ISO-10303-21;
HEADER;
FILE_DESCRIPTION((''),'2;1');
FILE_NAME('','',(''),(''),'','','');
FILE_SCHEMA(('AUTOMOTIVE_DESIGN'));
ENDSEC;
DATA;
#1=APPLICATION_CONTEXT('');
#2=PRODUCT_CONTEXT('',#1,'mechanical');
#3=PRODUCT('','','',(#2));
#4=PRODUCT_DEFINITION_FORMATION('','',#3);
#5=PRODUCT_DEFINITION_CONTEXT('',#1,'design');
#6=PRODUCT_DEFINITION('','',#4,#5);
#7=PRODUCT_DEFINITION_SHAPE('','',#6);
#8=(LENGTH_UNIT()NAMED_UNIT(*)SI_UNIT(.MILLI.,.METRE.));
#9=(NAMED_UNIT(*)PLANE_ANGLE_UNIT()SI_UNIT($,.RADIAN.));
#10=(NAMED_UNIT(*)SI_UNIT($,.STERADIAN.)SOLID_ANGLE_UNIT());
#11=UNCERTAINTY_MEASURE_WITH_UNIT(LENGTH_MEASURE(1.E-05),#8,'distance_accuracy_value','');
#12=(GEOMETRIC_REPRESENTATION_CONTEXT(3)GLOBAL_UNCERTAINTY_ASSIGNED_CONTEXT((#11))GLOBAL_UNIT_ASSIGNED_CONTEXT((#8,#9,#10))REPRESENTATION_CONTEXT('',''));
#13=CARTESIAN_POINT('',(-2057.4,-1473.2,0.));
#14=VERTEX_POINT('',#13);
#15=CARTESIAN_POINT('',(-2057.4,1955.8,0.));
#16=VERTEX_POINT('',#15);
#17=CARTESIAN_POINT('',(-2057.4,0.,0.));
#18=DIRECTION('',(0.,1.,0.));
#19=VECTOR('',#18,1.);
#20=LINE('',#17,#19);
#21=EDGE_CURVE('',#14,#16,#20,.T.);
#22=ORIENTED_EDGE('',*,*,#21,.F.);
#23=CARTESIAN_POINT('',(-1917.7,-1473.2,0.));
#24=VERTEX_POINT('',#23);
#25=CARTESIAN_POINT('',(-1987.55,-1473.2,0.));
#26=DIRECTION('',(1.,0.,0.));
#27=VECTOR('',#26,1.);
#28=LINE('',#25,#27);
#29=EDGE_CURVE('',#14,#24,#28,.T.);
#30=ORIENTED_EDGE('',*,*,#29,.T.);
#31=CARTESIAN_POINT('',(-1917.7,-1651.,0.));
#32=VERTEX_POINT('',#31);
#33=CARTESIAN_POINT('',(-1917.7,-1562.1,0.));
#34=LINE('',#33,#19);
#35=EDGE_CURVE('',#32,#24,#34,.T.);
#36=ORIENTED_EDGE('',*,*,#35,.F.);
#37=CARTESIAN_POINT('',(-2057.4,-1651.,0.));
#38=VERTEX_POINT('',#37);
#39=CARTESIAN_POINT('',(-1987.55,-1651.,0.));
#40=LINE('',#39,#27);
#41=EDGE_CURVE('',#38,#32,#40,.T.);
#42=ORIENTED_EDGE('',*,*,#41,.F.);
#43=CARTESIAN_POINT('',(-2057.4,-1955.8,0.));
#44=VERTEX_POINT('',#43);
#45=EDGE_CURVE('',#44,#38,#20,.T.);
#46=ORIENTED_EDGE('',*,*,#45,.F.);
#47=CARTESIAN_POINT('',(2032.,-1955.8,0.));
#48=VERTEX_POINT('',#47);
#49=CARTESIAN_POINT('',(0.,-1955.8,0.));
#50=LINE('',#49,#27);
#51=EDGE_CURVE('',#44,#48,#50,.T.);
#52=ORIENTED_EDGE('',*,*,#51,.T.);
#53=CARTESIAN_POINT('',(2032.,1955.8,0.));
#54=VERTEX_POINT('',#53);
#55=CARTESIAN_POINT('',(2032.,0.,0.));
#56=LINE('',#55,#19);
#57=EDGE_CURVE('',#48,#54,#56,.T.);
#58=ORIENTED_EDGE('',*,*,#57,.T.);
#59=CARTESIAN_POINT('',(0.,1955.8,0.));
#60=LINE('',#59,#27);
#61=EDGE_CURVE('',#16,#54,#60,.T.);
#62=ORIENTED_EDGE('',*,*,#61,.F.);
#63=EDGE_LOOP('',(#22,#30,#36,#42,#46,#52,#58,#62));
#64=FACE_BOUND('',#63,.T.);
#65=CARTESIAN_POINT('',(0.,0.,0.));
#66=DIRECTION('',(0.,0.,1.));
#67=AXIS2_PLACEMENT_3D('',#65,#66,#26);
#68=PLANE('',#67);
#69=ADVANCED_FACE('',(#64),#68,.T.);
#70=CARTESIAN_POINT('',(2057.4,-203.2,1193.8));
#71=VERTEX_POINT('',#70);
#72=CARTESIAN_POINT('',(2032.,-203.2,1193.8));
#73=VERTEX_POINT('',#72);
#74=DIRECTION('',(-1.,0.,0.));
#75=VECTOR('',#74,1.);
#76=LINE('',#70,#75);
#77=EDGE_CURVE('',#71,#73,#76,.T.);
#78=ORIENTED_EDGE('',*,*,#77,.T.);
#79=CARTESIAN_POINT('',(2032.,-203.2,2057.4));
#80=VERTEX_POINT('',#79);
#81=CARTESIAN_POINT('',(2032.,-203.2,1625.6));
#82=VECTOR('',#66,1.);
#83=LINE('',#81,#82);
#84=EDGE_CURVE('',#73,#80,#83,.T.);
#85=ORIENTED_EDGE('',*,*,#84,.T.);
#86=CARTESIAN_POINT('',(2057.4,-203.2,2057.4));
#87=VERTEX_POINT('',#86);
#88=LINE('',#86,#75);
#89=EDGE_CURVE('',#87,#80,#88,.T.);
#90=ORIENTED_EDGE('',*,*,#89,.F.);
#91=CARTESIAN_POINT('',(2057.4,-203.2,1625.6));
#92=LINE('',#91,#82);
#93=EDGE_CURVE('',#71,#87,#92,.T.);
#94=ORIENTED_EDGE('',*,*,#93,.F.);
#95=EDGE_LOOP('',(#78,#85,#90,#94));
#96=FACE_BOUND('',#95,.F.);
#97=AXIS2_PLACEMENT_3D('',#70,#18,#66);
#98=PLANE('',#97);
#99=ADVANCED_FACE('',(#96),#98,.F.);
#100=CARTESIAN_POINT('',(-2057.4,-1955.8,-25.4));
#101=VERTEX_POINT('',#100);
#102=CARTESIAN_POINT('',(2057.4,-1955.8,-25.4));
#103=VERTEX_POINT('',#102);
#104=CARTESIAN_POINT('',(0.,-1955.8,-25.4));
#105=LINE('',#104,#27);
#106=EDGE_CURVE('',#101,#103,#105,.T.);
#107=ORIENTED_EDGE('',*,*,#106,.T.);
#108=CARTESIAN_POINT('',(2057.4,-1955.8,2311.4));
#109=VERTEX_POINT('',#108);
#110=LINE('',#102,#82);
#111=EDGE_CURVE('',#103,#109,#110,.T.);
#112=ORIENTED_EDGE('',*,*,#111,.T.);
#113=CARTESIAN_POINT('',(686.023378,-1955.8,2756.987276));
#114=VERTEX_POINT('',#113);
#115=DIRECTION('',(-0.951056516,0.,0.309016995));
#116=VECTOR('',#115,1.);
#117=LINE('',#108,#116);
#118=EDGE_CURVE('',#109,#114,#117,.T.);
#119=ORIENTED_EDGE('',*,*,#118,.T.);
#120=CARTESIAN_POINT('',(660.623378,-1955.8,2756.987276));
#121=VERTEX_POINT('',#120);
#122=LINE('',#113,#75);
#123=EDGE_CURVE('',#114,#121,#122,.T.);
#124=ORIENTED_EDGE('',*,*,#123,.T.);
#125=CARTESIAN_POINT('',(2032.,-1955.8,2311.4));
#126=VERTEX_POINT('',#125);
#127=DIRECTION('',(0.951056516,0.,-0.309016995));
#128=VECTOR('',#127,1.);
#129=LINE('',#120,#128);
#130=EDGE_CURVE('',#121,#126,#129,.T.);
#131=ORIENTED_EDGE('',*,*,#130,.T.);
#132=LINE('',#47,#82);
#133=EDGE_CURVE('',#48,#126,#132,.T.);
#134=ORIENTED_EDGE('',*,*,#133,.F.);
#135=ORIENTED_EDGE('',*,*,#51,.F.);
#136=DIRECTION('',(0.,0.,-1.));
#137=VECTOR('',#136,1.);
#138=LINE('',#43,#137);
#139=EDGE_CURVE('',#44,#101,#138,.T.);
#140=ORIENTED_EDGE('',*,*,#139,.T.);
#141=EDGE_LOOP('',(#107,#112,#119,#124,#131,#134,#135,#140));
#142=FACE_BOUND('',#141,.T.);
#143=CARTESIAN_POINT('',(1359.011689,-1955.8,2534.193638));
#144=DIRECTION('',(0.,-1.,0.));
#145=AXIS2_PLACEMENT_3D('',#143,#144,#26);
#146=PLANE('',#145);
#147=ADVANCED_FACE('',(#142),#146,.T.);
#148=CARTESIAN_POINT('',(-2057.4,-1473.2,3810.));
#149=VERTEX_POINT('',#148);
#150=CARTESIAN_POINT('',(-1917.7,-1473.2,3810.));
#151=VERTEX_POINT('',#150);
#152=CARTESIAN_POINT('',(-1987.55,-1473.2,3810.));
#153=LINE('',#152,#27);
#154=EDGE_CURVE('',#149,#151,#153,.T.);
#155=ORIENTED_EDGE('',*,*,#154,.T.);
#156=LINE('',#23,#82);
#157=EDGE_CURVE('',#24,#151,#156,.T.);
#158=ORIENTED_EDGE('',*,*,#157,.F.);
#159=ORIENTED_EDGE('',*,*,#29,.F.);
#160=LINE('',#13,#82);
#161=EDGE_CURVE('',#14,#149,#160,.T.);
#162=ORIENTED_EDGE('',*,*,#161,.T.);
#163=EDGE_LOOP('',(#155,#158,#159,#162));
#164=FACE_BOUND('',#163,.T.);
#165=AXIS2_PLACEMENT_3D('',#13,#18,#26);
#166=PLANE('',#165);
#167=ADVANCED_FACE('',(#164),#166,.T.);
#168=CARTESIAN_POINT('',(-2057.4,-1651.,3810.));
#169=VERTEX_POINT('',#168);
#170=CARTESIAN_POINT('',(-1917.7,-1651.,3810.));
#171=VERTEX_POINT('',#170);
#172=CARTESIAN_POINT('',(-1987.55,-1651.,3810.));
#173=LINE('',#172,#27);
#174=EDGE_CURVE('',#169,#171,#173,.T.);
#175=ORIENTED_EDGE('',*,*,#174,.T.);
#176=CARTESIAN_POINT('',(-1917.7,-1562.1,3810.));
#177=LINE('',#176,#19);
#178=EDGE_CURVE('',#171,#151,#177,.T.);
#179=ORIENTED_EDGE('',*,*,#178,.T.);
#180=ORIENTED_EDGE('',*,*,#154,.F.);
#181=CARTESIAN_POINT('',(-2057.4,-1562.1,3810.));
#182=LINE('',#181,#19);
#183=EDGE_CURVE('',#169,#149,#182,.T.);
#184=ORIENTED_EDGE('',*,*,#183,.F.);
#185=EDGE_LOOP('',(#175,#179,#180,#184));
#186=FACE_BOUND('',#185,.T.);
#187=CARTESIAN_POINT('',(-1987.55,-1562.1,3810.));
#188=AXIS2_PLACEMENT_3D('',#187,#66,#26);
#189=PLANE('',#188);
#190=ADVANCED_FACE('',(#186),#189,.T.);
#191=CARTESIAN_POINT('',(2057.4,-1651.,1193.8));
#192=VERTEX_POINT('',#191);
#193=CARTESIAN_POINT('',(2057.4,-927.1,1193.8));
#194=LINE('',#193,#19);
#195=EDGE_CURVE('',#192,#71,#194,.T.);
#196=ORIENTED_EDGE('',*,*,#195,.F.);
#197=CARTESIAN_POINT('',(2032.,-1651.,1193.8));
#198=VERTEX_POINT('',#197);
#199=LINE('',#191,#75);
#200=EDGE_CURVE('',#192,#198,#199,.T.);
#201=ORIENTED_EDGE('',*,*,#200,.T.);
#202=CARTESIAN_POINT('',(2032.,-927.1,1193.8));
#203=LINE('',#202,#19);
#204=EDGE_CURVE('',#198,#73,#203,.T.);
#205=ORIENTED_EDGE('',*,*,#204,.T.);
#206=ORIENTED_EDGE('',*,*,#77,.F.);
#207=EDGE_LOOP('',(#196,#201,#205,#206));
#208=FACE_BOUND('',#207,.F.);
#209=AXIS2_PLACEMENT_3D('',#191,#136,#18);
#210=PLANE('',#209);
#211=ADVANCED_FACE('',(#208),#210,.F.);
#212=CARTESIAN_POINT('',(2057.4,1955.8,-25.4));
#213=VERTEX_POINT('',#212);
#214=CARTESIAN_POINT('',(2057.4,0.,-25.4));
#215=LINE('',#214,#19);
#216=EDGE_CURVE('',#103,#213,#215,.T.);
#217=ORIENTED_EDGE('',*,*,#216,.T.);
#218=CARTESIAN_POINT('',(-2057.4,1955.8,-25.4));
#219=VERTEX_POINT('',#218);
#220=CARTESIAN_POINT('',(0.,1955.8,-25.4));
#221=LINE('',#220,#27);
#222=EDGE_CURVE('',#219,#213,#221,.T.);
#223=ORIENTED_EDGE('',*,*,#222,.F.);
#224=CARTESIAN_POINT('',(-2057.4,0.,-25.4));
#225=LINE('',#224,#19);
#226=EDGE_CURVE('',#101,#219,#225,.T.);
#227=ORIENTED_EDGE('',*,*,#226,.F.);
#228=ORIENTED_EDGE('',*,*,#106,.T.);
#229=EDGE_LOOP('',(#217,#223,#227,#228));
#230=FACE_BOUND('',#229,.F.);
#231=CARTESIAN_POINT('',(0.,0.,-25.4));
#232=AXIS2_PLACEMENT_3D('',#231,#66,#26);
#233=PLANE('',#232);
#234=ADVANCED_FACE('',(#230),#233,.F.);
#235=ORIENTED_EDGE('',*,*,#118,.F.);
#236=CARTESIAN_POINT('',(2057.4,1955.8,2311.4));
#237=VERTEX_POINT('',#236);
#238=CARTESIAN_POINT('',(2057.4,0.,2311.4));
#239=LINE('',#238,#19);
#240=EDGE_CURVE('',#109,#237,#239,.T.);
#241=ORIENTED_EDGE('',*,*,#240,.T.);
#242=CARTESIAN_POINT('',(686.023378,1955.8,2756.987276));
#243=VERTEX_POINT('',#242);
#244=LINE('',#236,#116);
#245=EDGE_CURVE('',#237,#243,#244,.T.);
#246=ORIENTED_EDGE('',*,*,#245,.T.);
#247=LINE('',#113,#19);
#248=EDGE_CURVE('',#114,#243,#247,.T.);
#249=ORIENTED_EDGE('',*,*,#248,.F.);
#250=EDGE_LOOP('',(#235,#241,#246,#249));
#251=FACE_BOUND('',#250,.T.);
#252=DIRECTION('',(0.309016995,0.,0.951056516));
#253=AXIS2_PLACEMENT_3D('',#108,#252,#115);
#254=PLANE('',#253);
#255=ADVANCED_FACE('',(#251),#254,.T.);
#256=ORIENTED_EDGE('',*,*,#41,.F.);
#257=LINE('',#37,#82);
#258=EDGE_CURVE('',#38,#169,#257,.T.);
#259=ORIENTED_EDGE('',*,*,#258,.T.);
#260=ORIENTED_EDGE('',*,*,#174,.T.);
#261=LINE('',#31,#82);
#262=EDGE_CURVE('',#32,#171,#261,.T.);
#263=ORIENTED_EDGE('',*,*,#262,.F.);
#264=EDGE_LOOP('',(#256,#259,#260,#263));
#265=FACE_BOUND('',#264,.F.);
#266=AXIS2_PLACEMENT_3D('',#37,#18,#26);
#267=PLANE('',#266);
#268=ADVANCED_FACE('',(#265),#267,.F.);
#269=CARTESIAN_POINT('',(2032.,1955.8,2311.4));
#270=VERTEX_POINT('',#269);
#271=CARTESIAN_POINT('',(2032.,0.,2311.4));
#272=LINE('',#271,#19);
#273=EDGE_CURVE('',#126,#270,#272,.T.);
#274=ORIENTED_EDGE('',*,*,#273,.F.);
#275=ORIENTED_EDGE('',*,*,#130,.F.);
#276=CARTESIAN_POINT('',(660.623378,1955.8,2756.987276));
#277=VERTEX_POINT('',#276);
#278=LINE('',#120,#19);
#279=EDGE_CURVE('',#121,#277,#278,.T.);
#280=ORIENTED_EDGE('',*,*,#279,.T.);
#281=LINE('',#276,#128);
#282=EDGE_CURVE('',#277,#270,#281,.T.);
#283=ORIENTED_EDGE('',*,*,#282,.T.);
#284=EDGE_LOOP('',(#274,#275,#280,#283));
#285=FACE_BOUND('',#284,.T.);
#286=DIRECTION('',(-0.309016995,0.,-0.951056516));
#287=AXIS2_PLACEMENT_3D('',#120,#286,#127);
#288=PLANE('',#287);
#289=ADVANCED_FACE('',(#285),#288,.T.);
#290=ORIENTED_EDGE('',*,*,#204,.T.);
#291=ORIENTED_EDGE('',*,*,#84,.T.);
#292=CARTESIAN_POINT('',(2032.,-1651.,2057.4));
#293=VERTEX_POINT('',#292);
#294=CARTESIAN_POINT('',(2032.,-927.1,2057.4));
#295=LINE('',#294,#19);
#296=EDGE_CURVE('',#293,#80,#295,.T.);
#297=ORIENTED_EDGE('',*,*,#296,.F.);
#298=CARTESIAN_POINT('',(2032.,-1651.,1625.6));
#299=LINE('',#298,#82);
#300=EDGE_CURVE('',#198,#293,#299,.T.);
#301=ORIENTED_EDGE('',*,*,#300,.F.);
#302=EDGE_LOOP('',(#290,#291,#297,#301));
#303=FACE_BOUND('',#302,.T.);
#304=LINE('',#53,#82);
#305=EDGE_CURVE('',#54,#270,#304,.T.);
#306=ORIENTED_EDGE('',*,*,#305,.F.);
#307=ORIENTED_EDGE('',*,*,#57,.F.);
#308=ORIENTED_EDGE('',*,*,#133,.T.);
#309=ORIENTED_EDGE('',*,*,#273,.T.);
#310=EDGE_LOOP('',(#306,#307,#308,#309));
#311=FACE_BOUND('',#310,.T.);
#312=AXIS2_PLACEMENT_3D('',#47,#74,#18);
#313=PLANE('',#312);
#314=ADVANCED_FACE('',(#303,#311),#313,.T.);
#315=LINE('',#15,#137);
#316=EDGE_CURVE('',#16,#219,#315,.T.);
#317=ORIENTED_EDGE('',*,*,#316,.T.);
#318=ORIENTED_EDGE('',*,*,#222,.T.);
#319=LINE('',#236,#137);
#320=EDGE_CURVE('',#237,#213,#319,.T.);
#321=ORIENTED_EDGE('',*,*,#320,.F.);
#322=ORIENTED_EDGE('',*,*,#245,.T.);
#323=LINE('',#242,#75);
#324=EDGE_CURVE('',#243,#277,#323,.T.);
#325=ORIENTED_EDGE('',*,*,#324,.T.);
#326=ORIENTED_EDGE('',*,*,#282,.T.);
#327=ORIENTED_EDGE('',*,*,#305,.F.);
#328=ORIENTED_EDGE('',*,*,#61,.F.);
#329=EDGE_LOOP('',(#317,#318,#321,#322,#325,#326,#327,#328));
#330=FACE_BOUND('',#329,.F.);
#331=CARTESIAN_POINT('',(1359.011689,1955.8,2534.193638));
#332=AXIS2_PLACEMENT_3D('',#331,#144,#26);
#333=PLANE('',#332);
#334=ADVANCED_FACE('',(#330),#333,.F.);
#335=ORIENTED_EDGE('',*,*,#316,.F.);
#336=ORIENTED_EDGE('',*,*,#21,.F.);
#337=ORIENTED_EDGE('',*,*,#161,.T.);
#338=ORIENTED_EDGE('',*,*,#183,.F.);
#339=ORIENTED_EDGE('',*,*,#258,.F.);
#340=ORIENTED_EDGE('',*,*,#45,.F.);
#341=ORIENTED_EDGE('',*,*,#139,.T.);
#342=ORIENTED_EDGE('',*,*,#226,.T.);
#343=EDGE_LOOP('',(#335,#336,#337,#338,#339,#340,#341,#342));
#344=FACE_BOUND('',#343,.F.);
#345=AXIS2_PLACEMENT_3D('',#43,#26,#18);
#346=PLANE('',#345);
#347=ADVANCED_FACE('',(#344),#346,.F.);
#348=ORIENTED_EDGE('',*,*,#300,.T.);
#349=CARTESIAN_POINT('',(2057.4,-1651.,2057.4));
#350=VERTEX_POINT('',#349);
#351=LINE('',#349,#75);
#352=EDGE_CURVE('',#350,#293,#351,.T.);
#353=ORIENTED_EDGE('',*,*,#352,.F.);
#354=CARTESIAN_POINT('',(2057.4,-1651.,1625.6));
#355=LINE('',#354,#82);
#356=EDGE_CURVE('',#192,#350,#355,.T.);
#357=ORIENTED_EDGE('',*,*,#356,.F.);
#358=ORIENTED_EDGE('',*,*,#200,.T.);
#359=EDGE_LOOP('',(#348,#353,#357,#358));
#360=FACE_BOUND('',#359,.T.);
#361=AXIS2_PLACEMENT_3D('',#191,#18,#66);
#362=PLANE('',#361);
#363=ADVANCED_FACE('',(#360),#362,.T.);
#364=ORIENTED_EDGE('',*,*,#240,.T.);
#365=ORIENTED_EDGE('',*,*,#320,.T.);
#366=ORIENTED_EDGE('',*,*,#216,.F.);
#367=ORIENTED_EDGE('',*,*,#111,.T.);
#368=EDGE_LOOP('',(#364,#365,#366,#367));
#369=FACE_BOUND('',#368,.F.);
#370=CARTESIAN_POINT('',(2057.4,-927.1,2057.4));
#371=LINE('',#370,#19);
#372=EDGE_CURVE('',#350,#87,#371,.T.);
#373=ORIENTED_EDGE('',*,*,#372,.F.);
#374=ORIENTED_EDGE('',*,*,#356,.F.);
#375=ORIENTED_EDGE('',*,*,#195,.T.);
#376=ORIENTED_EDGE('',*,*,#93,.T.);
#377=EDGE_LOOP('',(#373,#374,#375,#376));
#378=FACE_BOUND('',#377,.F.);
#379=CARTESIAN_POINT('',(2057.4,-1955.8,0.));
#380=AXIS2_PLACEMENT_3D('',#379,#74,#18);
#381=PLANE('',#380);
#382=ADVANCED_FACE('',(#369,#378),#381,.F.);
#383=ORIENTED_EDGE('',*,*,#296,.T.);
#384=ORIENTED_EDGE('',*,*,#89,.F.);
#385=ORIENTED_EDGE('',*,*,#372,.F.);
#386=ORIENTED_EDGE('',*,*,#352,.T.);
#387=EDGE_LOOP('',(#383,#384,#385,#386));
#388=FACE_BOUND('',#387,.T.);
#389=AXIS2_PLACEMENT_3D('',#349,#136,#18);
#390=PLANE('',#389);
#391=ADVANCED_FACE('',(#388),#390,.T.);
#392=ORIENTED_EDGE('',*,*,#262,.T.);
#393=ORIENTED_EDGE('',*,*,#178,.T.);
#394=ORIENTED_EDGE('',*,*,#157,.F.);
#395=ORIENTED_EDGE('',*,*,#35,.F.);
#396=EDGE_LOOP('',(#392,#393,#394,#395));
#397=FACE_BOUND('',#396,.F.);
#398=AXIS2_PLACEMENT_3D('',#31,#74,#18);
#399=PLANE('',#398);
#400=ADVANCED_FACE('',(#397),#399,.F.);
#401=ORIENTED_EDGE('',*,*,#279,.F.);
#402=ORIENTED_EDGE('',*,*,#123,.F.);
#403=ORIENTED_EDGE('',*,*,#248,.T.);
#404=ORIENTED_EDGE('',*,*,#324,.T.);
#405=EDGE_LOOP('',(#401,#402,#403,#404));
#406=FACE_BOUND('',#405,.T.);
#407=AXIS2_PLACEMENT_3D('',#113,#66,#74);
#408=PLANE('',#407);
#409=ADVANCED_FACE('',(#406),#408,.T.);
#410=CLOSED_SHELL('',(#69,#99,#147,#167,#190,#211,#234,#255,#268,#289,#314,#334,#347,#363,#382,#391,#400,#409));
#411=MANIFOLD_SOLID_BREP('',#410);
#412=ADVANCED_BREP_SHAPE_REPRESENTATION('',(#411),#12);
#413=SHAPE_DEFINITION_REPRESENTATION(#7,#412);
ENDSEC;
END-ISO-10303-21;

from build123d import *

# Parameters (mm, degrees)
F0_W     = 4114.8
F0_H     = 3911.6
F1_DEPTH = 25.4
F2_W     = 25.4
F2_H     = 3911.6
F3_DEPTH = 2311.4
F4_W     = 1447.8
F4_H     = 863.6
F5_DEPTH = 25.4
F6_W     = 139.7
F6_H     = 177.8
F7_DEPTH = 3810
F9_DEPTH = 3911.6


with BuildPart() as f1:
    # F0 (on Top) → F1 (new body)
    with BuildSketch(Plane.XY):
        Rectangle(F0_W, F0_H)
    extrude(amount=-F1_DEPTH)

    # F2 (on face) → F3 (join)
    with BuildSketch(Plane.XY):
        with Locations((2044.7, 0)):
            Rectangle(F2_W, F2_H)
    extrude(amount=F3_DEPTH)

    # F4 (on face) → F5 (cut)
    with BuildSketch(Plane.YZ.offset(2057.4)):
        with Locations((-927.1, 1625.6)):
            Rectangle(F4_W, F4_H)
    extrude(amount=-F5_DEPTH, mode=Mode.SUBTRACT)

    # F6 (on face) → F7 (join)
    with BuildSketch(Plane.XY):
        with Locations((-1987.55, -1562.1)):
            Rectangle(F6_W, F6_H)
    extrude(amount=F7_DEPTH)

    # F8 (on face) → F9 (join, through all)
    with BuildSketch(Plane.XZ.offset(1955.8)):
        Polygon((660.623378, 2756.987276), (2032, 2311.4), (2057.4, 2311.4), (686.023378, 2756.987276), align=None)
    extrude(amount=-F9_DEPTH)


solid = f1.part
